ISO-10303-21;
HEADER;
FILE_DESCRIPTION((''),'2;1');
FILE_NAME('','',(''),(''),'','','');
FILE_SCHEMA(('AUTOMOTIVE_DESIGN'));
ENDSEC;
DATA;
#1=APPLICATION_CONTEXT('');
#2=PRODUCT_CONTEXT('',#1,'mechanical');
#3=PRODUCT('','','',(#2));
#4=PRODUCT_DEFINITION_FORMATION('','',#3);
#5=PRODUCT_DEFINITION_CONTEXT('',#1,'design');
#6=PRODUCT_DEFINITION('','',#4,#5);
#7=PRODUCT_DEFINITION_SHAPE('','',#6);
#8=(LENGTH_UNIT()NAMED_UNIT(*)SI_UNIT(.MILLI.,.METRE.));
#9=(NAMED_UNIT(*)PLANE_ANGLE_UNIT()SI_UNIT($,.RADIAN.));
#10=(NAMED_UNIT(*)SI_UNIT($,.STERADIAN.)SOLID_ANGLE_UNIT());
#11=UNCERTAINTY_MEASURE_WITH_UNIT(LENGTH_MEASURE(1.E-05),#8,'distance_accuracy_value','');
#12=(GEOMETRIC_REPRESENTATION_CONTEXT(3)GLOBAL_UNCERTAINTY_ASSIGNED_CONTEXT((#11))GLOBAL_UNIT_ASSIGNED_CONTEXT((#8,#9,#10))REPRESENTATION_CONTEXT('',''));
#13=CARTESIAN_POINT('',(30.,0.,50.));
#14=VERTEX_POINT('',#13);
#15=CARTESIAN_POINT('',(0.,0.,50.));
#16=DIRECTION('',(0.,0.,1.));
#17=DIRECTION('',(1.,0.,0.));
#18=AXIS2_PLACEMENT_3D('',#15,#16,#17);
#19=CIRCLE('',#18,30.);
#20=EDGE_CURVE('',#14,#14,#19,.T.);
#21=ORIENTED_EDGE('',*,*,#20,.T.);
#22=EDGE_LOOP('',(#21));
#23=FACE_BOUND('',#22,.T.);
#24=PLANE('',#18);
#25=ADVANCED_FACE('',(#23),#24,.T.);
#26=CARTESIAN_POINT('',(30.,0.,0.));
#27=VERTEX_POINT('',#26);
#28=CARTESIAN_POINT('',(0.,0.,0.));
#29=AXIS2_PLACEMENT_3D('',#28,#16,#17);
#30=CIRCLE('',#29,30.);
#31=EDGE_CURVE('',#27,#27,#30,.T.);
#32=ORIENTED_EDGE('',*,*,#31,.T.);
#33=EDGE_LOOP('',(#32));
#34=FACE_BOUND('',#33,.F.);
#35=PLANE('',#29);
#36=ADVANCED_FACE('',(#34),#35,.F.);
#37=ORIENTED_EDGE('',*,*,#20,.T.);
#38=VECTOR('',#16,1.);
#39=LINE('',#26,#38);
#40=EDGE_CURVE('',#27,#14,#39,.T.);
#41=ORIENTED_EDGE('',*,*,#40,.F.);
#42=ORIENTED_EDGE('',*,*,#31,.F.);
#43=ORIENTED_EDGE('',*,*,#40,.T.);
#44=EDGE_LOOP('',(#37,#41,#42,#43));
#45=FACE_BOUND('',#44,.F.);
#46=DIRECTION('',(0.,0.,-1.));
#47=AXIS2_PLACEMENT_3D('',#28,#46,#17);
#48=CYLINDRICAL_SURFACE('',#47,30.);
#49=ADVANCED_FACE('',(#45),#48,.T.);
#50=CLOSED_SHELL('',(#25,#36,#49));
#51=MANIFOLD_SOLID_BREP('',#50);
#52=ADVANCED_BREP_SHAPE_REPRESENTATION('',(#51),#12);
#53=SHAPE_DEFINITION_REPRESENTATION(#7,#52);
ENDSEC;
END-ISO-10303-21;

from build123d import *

# Parameters (mm, degrees)
CYLINDER_R     = 30
CYLINDER_DEPTH = 50


with BuildPart() as part:
    # Cylinder → Cylinder (join)
    with BuildSketch(Plane.XY):
        Circle(CYLINDER_R)
    extrude(amount=CYLINDER_DEPTH)


solid = part.part
